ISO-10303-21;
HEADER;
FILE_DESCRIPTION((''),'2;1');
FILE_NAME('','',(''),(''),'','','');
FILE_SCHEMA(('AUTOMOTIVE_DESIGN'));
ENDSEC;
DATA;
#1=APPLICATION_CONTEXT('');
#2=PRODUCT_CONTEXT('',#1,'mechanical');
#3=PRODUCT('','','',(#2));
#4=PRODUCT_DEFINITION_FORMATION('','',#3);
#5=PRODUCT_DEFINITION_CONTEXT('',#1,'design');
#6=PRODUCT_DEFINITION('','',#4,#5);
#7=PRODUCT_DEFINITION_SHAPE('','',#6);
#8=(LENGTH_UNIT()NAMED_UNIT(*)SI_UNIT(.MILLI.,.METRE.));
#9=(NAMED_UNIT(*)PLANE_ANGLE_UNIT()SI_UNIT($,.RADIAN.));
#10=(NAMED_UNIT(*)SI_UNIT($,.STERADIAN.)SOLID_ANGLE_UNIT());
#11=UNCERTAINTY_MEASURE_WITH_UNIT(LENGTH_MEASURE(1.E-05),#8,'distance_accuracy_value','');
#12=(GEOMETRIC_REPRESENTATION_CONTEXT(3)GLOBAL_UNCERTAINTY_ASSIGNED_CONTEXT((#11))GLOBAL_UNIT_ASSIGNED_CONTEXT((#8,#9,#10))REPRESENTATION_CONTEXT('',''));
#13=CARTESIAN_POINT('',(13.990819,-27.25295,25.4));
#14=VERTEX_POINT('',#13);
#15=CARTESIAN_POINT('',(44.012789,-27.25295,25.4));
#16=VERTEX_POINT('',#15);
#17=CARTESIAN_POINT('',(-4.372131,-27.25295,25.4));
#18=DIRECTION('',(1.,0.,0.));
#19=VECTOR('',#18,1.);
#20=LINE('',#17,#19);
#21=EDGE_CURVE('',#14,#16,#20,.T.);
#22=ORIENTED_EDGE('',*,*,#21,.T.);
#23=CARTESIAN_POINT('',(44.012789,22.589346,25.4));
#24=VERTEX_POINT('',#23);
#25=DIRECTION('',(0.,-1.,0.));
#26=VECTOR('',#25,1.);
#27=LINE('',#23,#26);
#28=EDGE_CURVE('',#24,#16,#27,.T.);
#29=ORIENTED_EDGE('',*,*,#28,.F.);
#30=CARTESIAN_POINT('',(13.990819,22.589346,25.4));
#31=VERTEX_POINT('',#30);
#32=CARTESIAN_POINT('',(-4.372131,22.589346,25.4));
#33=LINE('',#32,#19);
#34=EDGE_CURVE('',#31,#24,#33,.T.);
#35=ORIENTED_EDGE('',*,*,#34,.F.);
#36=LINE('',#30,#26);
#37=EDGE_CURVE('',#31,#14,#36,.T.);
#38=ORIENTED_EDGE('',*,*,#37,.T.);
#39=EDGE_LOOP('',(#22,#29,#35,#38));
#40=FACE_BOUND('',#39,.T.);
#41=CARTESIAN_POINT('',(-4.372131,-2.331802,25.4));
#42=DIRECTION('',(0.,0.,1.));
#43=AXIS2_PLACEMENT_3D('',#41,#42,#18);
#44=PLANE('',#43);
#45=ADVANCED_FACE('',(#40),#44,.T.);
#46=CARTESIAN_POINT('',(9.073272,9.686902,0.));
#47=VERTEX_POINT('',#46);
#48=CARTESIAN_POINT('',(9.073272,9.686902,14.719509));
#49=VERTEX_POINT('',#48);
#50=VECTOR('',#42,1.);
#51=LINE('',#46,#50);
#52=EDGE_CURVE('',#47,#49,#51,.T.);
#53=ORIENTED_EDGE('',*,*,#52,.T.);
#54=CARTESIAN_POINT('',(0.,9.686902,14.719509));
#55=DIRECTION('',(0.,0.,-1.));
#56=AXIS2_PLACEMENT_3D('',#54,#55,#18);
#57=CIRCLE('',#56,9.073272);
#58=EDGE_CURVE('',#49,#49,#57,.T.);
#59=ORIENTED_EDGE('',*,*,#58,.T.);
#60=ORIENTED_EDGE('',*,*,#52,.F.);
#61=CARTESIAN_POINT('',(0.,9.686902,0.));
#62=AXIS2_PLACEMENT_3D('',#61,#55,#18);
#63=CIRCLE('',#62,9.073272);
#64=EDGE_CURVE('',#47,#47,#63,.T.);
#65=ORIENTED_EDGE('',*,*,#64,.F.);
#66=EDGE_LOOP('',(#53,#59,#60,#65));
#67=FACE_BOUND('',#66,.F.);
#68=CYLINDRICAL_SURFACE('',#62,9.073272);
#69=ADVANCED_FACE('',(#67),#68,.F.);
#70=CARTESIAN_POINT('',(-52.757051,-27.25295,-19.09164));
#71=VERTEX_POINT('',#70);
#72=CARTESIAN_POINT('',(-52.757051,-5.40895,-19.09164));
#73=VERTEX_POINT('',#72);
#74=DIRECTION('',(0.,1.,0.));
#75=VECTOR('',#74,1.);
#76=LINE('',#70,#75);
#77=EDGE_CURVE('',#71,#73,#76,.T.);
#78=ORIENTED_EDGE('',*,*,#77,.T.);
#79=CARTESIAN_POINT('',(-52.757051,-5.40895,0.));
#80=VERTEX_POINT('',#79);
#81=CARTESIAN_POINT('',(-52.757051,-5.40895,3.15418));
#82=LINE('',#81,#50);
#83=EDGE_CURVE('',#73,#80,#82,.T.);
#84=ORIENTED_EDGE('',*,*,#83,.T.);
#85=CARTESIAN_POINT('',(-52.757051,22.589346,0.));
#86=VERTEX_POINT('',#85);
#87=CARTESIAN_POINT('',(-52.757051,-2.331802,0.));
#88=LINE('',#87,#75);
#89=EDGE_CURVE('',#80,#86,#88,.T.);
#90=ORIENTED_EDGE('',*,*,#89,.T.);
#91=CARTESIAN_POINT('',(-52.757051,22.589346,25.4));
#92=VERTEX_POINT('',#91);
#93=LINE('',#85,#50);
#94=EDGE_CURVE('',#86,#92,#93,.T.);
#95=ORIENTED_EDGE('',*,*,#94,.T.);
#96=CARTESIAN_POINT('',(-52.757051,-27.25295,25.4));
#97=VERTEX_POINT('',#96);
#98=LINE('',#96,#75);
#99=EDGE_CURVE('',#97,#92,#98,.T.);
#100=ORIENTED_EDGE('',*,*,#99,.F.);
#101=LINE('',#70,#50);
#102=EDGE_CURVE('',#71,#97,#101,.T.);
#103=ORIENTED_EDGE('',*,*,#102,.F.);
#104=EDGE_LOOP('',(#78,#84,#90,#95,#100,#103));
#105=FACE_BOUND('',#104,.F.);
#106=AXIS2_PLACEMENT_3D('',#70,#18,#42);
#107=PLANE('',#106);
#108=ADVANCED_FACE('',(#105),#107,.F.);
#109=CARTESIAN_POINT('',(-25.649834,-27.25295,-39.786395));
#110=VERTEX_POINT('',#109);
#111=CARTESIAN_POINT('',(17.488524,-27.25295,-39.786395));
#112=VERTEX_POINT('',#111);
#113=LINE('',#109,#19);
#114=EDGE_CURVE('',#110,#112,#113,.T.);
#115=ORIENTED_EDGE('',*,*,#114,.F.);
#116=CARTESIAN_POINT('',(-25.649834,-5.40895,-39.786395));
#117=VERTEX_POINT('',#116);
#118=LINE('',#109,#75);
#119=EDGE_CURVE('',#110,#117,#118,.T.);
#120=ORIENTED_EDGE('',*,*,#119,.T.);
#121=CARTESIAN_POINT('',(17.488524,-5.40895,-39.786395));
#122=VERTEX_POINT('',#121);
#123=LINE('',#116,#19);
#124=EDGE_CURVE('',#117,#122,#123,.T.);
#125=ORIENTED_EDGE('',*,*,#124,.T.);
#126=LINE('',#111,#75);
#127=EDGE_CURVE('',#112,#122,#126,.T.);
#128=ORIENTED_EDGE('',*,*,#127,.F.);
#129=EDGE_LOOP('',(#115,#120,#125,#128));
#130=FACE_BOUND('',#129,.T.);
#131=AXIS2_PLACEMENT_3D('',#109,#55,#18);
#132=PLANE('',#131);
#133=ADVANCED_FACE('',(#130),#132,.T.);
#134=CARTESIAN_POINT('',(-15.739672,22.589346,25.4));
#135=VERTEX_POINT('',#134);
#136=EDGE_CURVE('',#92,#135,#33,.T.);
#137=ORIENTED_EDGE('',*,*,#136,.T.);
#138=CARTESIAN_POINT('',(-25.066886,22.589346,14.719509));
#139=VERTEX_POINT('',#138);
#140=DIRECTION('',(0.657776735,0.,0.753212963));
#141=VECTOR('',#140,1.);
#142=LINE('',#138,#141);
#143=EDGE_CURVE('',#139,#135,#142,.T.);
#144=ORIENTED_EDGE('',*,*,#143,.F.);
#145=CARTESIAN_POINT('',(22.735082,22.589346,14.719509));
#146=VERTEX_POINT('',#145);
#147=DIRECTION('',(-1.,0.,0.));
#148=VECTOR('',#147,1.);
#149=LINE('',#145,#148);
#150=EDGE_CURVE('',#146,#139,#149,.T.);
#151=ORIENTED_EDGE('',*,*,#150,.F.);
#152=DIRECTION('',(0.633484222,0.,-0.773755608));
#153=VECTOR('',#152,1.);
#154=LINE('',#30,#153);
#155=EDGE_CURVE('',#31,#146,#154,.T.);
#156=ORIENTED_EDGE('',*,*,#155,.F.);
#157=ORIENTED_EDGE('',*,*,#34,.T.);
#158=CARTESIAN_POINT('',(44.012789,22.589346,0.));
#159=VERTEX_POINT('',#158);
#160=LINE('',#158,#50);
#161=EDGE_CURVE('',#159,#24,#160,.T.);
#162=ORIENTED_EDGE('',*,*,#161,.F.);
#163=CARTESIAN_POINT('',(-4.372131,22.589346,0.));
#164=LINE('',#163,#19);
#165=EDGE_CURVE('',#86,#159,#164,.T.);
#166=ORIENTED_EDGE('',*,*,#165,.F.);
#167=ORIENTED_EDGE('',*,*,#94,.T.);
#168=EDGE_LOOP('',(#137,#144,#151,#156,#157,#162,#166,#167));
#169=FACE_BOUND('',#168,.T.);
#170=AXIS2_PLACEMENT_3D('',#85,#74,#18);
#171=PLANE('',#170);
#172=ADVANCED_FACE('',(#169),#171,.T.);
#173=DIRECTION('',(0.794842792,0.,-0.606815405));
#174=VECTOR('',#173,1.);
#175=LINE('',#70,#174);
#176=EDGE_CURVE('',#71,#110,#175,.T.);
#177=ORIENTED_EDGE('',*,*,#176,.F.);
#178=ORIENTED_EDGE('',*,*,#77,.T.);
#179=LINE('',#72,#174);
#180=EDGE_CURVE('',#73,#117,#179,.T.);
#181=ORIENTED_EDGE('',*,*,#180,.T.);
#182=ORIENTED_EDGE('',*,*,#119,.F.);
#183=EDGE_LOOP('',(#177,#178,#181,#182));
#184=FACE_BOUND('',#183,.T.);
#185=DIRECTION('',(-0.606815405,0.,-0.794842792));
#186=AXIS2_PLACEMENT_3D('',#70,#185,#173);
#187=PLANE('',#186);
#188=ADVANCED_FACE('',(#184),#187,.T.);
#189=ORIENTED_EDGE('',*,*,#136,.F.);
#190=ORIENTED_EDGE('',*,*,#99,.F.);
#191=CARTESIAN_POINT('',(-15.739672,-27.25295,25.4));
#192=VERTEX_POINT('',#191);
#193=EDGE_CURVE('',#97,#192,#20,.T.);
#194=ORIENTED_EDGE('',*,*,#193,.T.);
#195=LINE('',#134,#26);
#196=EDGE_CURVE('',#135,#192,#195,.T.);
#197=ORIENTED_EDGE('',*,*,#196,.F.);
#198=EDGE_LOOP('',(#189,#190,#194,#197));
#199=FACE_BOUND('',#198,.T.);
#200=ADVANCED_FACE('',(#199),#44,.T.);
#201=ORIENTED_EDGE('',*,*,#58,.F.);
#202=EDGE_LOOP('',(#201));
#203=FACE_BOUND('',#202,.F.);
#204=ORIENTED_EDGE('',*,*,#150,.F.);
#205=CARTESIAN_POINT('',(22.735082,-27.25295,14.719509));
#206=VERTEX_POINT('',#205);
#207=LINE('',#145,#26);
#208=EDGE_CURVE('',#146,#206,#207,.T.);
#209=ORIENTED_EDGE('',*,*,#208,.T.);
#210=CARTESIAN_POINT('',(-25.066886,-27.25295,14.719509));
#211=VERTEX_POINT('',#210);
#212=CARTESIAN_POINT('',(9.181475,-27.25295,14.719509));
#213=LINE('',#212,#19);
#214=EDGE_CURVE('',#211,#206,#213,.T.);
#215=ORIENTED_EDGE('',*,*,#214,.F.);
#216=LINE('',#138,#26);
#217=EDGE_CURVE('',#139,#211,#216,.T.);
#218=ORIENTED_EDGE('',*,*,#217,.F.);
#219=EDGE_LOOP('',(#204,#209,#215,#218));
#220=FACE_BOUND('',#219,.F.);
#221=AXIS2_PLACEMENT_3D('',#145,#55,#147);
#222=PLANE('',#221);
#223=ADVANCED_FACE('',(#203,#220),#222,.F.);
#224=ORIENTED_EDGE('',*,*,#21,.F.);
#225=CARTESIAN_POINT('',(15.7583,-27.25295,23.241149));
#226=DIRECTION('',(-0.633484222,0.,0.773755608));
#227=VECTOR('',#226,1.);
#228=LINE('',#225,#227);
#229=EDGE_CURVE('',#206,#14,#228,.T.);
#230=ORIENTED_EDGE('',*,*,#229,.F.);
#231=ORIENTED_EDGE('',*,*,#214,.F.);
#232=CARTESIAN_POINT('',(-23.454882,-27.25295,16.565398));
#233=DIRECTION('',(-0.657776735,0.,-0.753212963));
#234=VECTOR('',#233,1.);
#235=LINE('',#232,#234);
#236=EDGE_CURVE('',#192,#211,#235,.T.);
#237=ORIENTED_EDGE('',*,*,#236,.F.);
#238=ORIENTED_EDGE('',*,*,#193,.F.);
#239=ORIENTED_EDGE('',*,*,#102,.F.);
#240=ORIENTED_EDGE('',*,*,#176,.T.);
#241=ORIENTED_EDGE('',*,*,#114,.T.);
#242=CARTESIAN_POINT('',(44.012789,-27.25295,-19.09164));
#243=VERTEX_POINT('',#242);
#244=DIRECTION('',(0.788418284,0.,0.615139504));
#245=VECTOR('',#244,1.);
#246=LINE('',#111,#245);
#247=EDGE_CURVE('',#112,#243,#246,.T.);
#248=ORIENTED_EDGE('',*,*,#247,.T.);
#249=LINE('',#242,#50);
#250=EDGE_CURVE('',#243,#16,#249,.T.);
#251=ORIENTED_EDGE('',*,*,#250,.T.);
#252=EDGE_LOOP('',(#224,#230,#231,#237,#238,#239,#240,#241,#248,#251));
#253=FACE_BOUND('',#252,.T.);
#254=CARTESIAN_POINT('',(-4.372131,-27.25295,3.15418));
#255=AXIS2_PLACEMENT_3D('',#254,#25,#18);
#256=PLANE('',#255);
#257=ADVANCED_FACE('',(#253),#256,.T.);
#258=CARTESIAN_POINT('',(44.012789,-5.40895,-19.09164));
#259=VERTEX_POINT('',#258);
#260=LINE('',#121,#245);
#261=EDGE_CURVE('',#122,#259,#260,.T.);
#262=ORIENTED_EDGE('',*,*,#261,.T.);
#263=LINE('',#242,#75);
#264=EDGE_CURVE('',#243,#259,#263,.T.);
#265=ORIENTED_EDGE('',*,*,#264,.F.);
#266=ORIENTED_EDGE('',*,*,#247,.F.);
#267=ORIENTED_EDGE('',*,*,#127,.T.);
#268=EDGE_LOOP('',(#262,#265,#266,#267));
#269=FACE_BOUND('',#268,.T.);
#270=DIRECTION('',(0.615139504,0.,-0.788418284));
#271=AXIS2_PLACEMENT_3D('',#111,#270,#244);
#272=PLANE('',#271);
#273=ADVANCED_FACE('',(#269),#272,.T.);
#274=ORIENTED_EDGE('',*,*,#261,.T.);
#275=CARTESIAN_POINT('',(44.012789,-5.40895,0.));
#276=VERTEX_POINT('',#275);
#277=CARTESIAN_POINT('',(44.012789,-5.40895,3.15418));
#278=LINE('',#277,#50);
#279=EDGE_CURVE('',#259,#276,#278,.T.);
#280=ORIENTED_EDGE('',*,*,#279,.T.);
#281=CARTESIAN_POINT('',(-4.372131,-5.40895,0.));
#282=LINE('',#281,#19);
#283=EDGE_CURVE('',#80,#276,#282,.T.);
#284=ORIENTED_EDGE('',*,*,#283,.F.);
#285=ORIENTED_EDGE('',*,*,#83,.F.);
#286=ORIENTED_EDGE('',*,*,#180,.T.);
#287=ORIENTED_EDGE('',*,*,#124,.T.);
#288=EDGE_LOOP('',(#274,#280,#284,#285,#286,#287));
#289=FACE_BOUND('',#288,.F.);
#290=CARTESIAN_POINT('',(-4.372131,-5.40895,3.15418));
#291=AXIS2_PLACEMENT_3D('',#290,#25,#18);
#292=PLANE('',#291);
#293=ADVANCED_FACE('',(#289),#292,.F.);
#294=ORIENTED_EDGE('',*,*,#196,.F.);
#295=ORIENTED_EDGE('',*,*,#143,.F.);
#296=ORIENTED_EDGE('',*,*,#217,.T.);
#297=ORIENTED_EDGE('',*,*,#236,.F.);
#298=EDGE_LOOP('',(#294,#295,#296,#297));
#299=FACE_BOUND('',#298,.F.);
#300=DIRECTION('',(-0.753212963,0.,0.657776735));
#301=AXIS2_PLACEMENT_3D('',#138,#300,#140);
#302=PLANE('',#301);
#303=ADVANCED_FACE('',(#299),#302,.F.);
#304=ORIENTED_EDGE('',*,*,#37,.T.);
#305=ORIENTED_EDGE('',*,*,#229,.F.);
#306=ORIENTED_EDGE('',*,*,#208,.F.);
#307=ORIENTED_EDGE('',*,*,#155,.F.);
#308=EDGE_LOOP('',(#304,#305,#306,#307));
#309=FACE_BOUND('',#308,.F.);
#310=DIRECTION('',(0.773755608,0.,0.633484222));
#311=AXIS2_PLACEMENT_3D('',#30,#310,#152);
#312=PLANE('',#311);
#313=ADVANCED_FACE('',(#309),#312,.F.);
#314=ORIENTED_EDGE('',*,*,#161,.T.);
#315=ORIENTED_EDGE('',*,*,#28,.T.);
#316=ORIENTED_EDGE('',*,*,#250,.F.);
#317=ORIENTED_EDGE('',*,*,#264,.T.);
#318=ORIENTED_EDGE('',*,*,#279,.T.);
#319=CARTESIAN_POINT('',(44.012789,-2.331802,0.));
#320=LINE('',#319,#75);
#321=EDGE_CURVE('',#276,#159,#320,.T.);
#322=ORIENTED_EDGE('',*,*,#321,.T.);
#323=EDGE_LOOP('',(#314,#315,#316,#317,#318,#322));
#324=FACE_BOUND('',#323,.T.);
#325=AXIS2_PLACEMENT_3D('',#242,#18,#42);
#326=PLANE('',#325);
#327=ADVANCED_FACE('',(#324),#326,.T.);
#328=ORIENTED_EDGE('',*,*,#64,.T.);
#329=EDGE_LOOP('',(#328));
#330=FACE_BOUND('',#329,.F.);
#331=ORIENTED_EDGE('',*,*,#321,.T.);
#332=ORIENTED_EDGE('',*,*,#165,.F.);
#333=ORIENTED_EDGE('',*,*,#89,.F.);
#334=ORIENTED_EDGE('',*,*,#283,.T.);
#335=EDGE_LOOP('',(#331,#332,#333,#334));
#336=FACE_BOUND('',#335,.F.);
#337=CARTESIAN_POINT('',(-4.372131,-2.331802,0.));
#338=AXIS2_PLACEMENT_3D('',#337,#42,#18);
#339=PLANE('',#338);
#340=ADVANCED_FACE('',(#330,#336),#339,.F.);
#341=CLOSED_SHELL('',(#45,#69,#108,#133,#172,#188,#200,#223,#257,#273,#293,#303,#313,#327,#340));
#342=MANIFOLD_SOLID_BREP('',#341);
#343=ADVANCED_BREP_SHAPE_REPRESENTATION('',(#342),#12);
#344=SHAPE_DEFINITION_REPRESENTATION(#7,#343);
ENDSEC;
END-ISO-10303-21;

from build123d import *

# Parameters (mm, degrees)
F0_W     = 96.76984
F0_H     = 49.842296
F1_DEPTH = 25.4
F2_W     = 96.76984
F2_H     = 44.49164
F3_DEPTH = 21.844
F5_DEPTH = 64.516
F6_R     = 9.073272
F7_DEPTH = 25.4


with BuildPart() as f1:
    # F0 (on Top) → F1 (new body)
    with BuildSketch(Plane.XY):
        with Locations((-4.372131, -2.331802)):
            Rectangle(F0_W, F0_H)
    extrude(amount=F1_DEPTH)

    # F2 (on face) → F3 (join)
    with BuildSketch(Plane.XZ.offset(27.25295)):
        with Locations((-4.372131, 3.15418)):
            Rectangle(F2_W, F2_H)
        Polygon((17.488524, -39.786395), (44.012789, -19.09164), (-52.757051, -19.09164), (-25.649834, -39.786395), align=None)
    extrude(amount=-F3_DEPTH)

    # F4 (on face) → F5 (cut)
    with BuildSketch(Plane(origin=(0, 22.589346, 0), x_dir=(-1, 0, 0), z_dir=(0, 1, 0))):
        Polygon((25.066886, 14.719509), (15.739672, 25.4), (-13.990819, 25.4), (-22.735082, 14.719509), align=None)
    extrude(amount=-F5_DEPTH, mode=Mode.SUBTRACT)

    # F6 (on face) → F7 (cut)
    with BuildSketch(Plane(origin=(0, 0, 0), x_dir=(1, 0, 0), z_dir=(0, 0, -1))):
        with Locations((0, -9.686902)):
            Circle(F6_R)
    extrude(amount=-F7_DEPTH, mode=Mode.SUBTRACT)


solid = f1.part
